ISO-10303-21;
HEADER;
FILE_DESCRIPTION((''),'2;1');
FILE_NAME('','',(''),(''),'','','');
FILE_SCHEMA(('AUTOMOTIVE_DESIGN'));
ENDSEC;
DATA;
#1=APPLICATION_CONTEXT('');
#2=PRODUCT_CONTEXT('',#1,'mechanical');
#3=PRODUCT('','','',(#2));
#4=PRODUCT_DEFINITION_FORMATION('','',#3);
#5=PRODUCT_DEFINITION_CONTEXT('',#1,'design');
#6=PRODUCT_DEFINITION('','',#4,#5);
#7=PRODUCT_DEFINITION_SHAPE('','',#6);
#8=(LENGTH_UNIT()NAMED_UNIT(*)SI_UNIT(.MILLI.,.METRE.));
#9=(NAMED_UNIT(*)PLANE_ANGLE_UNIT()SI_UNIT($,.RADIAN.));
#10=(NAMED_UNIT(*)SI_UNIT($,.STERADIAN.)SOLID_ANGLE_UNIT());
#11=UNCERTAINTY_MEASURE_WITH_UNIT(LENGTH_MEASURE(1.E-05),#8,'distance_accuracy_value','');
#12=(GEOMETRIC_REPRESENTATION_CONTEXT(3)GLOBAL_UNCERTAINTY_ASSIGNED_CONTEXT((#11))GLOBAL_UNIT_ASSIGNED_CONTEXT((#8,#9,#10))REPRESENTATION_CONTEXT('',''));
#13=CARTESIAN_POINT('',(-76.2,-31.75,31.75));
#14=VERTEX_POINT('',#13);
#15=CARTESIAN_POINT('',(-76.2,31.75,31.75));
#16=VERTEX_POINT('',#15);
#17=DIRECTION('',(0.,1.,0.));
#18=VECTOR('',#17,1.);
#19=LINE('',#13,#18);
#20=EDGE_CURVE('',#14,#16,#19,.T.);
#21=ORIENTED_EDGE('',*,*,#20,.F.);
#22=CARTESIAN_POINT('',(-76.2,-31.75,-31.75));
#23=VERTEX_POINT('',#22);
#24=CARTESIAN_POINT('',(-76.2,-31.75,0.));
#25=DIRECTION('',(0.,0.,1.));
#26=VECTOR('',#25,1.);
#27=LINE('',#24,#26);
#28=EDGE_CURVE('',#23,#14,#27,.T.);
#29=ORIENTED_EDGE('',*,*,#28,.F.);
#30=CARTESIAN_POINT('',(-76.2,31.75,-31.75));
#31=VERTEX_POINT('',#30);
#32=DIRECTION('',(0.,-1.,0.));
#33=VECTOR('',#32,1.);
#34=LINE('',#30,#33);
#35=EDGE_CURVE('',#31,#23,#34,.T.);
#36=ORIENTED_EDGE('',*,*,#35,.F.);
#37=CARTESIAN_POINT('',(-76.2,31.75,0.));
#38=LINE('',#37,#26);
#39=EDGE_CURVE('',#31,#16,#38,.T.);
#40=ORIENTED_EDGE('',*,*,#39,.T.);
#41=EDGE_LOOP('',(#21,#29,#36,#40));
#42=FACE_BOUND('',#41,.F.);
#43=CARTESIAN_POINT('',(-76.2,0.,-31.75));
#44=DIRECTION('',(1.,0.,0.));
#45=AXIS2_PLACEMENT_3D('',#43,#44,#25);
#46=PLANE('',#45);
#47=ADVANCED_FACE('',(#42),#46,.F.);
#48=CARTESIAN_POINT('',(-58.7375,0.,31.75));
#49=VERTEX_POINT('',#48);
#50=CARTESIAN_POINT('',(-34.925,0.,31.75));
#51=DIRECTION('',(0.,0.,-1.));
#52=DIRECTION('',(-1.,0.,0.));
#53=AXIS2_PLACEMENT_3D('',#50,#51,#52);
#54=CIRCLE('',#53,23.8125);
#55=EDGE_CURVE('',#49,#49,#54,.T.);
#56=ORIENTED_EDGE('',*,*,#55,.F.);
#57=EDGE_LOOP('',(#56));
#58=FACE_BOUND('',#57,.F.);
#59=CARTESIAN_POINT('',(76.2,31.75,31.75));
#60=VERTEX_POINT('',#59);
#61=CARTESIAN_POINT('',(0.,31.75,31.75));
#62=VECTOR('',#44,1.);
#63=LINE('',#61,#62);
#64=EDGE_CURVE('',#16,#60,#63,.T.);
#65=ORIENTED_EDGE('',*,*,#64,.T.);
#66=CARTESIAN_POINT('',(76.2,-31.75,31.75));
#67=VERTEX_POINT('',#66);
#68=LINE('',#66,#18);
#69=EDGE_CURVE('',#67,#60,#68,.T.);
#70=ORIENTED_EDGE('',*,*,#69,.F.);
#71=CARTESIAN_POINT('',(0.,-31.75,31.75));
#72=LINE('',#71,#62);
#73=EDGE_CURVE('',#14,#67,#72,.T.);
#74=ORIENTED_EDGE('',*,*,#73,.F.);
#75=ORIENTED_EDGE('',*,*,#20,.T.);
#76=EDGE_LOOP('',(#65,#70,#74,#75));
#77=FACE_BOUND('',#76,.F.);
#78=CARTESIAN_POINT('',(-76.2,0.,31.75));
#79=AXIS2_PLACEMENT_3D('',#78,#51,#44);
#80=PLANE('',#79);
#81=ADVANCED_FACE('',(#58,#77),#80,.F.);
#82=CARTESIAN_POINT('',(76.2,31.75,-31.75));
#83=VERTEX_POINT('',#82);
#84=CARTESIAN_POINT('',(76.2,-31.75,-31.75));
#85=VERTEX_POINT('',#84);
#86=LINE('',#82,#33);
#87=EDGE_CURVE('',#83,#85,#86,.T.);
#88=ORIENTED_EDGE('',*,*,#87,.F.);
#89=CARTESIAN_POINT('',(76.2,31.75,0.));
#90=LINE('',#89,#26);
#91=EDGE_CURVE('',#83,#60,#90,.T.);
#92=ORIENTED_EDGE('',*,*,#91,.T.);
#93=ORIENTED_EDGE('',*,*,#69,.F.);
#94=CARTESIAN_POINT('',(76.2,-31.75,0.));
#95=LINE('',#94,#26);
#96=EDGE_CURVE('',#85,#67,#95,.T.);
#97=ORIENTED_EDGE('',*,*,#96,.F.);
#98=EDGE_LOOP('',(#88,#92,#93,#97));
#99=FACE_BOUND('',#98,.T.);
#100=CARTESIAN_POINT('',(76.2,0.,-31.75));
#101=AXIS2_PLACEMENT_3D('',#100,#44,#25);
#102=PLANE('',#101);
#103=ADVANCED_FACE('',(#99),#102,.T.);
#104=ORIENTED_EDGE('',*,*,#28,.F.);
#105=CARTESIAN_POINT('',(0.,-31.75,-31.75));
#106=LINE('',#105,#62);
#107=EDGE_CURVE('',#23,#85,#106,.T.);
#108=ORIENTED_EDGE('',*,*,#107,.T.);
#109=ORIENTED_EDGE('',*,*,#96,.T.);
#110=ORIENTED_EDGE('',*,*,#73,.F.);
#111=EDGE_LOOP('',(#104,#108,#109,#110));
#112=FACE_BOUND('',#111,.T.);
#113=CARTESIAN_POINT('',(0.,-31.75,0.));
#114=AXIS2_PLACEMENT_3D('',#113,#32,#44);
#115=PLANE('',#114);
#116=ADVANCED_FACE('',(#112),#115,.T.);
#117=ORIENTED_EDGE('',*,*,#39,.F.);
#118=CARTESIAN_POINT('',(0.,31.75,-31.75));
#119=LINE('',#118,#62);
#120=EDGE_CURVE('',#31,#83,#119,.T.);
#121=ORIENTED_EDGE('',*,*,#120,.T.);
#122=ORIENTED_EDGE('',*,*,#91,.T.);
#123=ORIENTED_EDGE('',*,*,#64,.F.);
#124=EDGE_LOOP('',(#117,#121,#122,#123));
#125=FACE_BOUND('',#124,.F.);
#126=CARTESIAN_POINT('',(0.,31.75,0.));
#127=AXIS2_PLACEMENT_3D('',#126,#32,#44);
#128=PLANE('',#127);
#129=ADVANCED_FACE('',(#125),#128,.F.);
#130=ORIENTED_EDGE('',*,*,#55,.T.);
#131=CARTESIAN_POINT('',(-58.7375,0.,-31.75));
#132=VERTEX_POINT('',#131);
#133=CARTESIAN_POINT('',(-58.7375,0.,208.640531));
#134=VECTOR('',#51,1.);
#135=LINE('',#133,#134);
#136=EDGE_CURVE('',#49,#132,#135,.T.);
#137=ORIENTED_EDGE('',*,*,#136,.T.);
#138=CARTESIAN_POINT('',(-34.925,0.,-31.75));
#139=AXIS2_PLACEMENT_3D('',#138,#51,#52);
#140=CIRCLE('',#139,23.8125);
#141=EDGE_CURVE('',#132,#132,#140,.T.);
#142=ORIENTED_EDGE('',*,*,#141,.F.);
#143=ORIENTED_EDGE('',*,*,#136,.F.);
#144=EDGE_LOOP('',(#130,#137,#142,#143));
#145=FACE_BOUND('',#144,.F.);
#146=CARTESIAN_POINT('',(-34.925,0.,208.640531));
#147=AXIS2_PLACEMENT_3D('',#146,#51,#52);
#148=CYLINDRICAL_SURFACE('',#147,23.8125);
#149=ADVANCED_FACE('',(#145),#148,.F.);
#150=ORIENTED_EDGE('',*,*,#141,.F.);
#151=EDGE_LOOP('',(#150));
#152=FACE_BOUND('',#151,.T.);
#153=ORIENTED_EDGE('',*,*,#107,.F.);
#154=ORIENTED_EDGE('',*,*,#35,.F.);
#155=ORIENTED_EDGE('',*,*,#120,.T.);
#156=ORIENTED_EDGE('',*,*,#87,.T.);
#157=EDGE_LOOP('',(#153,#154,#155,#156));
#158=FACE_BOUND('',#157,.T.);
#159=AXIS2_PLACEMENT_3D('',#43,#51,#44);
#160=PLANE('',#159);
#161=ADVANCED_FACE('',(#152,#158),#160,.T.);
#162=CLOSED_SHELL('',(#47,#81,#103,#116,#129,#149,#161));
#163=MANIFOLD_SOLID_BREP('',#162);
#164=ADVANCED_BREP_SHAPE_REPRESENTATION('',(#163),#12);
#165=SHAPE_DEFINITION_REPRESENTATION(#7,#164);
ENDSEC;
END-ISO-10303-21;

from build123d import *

# Parameters (mm, degrees)
F0_W     = 152.4
F0_H     = 63.5
F1_DEPTH = 31.75
F3_D     = 47.625


with BuildPart() as f1:
    # F0 (on Front) → F1 (new body, symmetric)
    with BuildSketch(Plane.XZ):
        Rectangle(F0_W, F0_H)
    extrude(amount=F1_DEPTH, both=True)

    # F3 (through all)
    with Locations(Plane.XY.offset(31.75)):
        with Locations((-34.925, 0)):
            Hole(F3_D / 2)


solid = f1.part
